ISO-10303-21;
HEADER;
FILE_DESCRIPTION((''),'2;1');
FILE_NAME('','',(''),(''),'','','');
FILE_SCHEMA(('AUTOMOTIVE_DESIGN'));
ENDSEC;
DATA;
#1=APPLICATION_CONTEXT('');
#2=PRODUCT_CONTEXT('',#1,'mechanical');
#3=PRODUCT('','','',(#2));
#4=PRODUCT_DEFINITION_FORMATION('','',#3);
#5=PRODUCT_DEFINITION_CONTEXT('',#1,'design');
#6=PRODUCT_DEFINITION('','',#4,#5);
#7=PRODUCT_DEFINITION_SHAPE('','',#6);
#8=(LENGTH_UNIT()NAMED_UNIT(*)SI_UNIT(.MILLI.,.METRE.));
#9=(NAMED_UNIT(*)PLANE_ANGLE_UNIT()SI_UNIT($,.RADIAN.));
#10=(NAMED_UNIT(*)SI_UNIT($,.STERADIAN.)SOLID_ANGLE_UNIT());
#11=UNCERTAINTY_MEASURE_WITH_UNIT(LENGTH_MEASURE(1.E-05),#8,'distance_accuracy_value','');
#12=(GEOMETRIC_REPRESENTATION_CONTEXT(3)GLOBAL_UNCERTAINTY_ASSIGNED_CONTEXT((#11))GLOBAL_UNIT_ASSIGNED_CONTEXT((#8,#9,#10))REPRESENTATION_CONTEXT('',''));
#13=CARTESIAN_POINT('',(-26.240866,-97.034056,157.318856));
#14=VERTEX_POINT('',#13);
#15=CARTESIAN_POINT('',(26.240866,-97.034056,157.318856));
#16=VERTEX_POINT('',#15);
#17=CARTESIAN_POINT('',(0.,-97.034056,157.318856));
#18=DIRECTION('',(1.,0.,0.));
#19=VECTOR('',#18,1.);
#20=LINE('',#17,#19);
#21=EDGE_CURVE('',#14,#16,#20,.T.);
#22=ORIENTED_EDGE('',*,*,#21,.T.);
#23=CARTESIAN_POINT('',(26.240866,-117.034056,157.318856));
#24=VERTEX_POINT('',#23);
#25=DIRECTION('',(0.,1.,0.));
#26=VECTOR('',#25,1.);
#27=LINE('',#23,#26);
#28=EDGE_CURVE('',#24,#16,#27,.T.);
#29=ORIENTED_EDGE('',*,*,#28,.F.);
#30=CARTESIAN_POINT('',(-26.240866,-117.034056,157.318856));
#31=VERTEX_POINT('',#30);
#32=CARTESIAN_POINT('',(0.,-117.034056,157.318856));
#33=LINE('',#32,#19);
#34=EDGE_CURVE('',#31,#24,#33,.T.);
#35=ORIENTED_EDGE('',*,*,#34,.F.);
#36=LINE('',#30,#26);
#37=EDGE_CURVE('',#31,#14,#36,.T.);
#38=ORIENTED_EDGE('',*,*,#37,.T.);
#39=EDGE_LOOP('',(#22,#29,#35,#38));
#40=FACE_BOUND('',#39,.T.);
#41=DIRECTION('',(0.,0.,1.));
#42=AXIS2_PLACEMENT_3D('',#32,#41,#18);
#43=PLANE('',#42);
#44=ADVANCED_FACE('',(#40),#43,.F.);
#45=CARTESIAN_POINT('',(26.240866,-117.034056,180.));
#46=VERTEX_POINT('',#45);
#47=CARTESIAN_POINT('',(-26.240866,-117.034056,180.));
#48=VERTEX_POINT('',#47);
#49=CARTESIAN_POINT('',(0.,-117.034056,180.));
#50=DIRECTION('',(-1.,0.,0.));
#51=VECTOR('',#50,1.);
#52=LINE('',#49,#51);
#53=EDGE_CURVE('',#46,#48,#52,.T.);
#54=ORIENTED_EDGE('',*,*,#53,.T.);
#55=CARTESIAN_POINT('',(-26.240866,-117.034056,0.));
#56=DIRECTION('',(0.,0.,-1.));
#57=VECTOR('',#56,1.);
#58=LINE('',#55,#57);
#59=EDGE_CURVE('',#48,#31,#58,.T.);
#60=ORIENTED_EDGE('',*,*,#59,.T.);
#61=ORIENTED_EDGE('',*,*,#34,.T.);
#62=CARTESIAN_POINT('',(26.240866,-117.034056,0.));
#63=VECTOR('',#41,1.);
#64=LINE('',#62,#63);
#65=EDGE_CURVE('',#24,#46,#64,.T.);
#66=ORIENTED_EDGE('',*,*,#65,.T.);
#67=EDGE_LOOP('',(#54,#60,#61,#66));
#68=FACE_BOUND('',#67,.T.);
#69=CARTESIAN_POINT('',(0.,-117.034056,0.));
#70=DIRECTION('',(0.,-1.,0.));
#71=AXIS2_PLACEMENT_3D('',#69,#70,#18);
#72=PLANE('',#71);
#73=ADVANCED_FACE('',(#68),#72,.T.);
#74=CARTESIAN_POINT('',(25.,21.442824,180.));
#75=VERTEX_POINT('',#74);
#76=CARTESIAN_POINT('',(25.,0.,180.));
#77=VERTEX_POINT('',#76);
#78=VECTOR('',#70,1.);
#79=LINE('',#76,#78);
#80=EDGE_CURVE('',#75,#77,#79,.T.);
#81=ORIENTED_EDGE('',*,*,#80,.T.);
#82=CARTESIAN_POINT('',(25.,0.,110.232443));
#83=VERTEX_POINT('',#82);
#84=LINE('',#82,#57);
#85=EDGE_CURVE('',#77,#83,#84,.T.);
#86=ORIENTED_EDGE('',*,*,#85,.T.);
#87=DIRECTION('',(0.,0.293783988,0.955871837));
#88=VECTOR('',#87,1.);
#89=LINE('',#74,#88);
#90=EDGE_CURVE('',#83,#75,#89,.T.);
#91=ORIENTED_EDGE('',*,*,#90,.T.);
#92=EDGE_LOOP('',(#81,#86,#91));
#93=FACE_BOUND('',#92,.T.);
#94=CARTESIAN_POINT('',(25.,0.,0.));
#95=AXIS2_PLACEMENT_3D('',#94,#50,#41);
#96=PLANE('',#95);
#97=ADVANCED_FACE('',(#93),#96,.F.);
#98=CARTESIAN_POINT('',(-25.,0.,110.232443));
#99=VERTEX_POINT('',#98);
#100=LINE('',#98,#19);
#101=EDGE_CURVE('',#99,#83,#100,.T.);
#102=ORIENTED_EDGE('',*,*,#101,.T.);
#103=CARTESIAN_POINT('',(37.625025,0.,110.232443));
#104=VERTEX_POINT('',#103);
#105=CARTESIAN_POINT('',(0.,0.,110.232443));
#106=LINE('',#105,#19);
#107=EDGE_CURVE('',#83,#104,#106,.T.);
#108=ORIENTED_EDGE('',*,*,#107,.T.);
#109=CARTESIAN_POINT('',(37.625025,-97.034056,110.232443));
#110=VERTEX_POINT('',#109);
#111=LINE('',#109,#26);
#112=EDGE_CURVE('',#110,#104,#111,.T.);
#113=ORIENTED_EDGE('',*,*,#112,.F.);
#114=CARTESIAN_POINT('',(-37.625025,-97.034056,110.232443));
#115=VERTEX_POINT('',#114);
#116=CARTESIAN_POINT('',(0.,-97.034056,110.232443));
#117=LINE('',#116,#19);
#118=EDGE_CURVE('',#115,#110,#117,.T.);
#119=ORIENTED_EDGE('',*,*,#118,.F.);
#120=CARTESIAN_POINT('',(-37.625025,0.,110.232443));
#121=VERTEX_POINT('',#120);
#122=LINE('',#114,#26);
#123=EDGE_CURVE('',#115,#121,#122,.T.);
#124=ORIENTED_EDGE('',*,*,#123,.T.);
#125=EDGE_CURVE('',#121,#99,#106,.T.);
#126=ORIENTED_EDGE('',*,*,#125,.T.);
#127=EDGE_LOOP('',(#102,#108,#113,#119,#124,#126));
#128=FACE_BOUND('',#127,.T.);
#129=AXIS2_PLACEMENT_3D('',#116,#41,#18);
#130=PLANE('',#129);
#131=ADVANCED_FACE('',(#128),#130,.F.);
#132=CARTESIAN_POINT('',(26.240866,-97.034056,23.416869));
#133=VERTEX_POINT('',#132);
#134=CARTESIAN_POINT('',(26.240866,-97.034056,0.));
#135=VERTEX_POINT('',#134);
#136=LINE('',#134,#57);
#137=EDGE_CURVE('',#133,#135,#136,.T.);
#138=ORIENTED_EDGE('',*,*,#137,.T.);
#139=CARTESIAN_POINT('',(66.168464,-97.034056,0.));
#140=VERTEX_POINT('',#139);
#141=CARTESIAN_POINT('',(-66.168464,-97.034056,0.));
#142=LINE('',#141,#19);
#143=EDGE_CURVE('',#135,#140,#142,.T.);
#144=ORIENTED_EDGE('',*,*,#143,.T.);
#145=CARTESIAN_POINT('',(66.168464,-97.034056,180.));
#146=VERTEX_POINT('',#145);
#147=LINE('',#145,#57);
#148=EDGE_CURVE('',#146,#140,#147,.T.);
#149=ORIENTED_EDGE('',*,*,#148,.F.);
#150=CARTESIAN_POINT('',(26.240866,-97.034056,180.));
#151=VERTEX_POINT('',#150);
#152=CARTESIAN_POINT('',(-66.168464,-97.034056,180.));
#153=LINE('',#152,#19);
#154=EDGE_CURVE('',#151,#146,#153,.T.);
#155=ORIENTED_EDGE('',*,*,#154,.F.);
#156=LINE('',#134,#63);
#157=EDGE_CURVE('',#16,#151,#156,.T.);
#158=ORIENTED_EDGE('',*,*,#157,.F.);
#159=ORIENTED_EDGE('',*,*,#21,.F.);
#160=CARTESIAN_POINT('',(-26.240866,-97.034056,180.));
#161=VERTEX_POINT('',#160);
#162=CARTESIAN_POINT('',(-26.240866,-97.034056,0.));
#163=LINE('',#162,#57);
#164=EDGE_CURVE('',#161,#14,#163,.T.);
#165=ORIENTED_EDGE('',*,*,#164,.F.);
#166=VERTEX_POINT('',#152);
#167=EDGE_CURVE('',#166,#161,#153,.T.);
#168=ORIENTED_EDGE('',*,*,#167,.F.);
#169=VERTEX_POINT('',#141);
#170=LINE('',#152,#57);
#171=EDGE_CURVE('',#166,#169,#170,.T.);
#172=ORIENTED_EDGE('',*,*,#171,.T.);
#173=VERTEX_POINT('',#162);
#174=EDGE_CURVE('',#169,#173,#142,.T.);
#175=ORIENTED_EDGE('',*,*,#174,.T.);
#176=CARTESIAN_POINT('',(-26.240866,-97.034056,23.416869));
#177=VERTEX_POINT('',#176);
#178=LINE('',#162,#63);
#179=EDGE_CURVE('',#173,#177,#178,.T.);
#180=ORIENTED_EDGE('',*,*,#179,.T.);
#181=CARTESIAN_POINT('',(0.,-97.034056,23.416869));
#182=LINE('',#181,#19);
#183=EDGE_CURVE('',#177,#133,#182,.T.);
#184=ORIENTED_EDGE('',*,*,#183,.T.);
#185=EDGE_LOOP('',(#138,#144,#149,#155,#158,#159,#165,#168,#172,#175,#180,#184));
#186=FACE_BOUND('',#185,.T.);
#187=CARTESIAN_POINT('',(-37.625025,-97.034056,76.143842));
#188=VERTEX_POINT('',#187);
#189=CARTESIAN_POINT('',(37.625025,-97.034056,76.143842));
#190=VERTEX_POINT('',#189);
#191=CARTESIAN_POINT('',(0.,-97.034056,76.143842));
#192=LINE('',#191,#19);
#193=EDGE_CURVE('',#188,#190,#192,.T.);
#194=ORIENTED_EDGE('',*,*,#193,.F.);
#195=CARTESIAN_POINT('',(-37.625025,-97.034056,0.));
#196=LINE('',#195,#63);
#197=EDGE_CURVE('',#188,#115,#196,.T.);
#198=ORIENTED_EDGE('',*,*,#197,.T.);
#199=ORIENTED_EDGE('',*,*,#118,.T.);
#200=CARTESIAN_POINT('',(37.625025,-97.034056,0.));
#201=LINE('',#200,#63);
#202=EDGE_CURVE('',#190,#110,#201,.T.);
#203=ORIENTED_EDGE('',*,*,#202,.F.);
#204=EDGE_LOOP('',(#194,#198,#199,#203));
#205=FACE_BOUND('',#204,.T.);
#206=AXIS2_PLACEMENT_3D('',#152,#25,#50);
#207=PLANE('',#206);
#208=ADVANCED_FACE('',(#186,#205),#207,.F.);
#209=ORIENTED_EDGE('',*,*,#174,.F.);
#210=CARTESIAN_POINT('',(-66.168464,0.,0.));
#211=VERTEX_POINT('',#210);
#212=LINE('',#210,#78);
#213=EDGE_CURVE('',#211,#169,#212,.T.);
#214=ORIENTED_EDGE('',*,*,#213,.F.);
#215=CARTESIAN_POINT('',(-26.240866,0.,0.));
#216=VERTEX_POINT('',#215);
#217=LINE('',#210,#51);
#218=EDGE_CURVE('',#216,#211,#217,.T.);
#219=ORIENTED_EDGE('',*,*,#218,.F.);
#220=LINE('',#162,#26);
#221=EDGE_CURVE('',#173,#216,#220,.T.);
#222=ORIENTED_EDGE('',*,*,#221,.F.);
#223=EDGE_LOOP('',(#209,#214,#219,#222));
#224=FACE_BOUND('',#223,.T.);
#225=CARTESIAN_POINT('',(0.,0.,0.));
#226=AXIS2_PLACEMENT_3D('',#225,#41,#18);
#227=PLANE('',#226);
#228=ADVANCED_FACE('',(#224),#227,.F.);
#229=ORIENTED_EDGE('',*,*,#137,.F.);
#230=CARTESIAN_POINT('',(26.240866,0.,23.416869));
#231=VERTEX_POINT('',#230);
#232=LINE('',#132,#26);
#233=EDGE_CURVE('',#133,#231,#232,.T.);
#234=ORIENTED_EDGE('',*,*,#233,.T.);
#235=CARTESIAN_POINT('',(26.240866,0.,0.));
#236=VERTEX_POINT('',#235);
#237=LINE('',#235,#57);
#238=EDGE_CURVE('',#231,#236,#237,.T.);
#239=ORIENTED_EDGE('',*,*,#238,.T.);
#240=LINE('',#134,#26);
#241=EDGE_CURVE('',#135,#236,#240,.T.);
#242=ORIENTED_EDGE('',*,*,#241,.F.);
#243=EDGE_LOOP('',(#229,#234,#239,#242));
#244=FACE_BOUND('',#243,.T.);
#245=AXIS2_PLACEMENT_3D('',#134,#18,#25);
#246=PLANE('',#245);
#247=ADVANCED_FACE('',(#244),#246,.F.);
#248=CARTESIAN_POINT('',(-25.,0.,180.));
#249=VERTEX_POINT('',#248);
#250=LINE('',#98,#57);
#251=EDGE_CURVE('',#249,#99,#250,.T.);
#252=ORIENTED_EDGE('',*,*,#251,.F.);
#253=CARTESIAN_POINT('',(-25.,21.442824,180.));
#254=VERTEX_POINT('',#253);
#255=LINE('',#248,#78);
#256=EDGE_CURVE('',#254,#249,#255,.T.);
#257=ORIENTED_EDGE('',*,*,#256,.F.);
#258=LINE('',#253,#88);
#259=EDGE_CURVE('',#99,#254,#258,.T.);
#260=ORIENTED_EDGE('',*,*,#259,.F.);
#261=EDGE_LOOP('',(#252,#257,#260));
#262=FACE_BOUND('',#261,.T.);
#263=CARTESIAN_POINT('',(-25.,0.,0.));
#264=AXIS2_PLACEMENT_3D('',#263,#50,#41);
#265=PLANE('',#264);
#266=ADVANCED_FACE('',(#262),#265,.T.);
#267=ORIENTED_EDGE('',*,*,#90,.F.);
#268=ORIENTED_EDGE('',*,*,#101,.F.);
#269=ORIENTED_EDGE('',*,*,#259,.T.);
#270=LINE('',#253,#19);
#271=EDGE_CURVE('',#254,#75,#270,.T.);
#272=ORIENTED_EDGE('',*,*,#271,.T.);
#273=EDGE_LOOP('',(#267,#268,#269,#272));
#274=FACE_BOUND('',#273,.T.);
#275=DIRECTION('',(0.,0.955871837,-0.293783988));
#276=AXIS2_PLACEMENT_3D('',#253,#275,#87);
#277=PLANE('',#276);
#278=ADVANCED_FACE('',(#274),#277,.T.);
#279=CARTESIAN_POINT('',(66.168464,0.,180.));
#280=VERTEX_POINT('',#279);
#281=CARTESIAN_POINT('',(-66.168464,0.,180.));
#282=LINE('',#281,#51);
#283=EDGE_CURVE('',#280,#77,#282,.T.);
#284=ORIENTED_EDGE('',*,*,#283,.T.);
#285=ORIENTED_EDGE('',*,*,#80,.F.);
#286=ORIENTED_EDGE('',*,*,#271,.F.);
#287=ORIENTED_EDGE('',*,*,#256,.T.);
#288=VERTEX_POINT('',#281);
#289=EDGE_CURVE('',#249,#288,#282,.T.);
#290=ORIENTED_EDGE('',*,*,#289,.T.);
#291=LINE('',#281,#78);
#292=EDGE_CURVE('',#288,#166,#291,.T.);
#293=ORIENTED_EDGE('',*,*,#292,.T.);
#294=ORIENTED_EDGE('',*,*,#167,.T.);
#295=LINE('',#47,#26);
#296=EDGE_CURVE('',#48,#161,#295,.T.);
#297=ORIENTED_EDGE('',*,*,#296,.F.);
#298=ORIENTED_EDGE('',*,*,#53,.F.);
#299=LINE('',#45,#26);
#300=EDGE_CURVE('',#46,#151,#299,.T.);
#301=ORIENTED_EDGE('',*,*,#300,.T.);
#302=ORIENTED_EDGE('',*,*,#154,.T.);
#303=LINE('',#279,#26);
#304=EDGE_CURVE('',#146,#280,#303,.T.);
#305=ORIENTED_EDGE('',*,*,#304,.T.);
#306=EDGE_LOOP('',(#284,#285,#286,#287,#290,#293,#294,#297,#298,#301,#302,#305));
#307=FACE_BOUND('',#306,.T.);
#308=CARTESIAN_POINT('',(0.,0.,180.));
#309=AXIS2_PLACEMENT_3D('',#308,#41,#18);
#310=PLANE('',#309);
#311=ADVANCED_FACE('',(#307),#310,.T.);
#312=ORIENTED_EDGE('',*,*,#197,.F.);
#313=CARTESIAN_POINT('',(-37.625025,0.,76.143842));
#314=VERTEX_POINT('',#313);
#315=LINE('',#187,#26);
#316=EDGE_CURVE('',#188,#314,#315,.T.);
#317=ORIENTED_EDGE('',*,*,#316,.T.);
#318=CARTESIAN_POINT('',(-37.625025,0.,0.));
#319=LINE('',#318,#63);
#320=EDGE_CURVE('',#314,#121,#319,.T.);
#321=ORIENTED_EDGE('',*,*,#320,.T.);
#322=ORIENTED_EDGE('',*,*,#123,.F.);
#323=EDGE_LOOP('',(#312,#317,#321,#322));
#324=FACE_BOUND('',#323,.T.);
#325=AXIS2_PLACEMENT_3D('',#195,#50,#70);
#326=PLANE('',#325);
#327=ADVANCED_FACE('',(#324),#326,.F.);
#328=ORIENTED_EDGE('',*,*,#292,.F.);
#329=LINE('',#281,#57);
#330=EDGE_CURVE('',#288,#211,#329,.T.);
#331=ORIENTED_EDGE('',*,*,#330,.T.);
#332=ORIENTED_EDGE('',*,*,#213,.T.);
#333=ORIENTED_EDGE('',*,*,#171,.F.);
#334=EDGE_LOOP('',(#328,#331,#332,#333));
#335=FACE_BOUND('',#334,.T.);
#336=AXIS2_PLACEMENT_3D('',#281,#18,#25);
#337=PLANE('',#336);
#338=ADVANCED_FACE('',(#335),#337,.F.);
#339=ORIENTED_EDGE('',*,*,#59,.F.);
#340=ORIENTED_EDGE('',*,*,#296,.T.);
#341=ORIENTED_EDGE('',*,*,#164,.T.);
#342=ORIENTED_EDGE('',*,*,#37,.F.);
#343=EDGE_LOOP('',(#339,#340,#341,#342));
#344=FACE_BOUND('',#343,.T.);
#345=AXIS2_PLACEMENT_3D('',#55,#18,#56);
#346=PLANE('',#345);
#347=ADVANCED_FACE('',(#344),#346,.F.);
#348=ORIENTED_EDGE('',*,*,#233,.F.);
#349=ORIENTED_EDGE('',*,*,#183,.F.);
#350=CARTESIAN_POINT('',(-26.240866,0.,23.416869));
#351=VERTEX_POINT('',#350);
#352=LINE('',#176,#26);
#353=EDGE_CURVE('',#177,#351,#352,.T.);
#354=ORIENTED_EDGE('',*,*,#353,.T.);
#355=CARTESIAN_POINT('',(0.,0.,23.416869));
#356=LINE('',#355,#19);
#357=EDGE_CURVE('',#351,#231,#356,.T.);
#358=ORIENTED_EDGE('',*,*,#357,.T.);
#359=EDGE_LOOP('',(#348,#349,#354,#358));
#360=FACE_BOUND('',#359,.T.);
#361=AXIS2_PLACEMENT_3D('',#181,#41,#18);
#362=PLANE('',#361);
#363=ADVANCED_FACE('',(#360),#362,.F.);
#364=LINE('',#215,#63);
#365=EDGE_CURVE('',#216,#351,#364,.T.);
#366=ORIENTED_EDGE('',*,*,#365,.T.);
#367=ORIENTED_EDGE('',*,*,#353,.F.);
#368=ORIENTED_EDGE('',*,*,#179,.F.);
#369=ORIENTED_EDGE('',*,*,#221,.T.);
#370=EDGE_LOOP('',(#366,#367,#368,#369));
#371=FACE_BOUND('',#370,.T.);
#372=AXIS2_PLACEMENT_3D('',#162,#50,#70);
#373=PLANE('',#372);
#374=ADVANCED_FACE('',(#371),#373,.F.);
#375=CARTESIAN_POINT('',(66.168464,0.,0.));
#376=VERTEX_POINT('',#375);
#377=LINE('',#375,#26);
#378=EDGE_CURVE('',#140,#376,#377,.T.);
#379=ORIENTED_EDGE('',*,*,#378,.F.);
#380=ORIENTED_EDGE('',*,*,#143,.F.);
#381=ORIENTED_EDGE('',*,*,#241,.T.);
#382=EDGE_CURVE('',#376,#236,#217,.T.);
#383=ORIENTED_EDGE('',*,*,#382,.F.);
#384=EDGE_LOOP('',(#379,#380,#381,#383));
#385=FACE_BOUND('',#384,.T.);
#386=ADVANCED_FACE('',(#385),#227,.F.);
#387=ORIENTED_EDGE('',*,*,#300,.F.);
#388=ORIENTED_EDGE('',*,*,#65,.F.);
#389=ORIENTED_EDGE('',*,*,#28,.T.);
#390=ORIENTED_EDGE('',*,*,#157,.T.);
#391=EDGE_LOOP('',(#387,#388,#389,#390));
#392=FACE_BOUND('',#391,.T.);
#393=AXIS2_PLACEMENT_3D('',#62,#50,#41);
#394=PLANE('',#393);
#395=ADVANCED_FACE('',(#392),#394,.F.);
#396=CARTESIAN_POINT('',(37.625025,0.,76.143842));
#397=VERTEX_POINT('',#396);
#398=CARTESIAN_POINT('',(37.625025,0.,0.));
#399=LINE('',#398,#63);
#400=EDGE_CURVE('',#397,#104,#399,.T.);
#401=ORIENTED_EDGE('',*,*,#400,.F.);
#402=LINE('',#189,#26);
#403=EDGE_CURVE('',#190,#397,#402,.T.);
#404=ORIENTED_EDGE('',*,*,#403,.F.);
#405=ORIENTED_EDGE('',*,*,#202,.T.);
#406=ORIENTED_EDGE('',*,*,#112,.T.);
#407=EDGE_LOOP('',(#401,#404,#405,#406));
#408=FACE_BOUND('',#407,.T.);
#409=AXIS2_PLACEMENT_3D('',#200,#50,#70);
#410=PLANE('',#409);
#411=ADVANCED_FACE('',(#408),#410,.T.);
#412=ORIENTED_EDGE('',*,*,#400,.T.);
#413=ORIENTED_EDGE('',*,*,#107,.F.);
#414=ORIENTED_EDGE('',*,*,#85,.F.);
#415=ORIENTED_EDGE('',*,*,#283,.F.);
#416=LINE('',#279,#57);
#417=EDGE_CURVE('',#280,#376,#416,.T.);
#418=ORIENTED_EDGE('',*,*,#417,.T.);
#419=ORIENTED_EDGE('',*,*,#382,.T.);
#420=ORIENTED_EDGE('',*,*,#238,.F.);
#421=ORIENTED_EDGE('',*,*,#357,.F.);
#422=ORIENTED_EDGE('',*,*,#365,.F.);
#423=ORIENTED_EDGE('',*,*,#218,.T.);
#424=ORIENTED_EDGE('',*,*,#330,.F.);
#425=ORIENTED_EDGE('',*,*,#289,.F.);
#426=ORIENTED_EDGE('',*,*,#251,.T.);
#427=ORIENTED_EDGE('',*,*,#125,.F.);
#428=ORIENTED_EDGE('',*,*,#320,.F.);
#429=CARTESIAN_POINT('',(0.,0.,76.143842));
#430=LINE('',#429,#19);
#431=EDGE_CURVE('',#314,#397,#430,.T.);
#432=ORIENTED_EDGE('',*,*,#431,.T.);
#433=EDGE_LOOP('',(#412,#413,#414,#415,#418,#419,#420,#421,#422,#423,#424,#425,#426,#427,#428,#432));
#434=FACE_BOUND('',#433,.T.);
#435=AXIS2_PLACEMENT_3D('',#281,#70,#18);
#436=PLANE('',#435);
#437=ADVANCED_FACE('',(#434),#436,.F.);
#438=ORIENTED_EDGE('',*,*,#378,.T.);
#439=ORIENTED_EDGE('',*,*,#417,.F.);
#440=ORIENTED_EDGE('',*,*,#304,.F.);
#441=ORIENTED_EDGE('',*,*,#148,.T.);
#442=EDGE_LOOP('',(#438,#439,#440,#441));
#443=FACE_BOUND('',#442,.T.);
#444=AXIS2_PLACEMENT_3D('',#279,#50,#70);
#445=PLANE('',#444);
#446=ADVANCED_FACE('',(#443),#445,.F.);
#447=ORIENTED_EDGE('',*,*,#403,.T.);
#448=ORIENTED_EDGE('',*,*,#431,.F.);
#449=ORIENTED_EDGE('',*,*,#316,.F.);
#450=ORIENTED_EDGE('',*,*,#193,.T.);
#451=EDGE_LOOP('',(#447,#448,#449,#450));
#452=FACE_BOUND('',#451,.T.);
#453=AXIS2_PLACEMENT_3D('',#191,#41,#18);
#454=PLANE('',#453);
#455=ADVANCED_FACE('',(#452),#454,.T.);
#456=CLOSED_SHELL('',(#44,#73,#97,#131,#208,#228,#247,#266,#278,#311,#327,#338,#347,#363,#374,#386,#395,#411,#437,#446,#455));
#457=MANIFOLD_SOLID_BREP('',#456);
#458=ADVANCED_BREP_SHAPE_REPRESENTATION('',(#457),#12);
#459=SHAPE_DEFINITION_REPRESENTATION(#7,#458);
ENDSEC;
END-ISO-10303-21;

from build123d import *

# Parameters (mm, degrees)
SKETCH_1_W           = 132.33692867
SKETCH_1_H           = 97.034055892
EXTRUDE_1_DEPTH      = 180
SKETCH_2_W           = 37.625025254
SKETCH_2_H           = 34.08860124
SKETCH_2_W_2         = 26.240865703
SKETCH_2_H_2         = 23.4168688
CUT_EXTRUDE_2_DEPTH  = 215.927601009
SKETCH_6_W           = 26.240865703
SKETCH_6_H           = 22.681143593
EXTRUDE_2_DEPTH      = 20
EXTRUDE_3_DEPTH      = 25
EXTRUDE_3_DEPTH_BACK = 25


with BuildPart() as part:
    # Эскиз1 → Бобышка-Вытянуть1 (new body)
    with BuildSketch(Plane.XY):
        with Locations((0, -48.517027946)):
            Rectangle(SKETCH_1_W, SKETCH_1_H)
    extrude(amount=EXTRUDE_1_DEPTH)

    # Эскиз2 → Вырез-Вытянуть2 (cut, through all)
    with BuildSketch(Plane(origin=(0, 0, 0), x_dir=(1, 0, 0), z_dir=(0, 1, 0))):
        with Locations((-18.812512627, -93.188142562)):
            Rectangle(SKETCH_2_W, SKETCH_2_H)
        with Locations((18.812512627, -93.188142562)):
            Rectangle(SKETCH_2_W, SKETCH_2_H)
        with Locations((13.120432852, -11.7084344)):
            Rectangle(SKETCH_2_W_2, SKETCH_2_H_2)
        with Locations((-13.120432852, -11.7084344)):
            Rectangle(SKETCH_2_W_2, SKETCH_2_H_2)
    extrude(amount=-CUT_EXTRUDE_2_DEPTH, mode=Mode.SUBTRACT)

    # Эскиз6 → Бобышка-Вытянуть2 (add)
    with BuildSketch(Plane(origin=(0, -97.034055892, 0), x_dir=(-1, 0, 0), z_dir=(0, -1, 0))):
        with Locations((13.120432852, -168.659428203)):
            Rectangle(SKETCH_6_W, SKETCH_6_H)
        with Locations((-13.120432852, -168.659428203)):
            Rectangle(SKETCH_6_W, SKETCH_6_H)
    extrude(amount=EXTRUDE_2_DEPTH)

    # Эскиз8 → Бобышка-Вытянуть3 (add, two sides: drawn at the far end of the back side and taken through both)
    with BuildSketch(Plane(origin=(0, 0, 0), x_dir=(0, 0, -1), z_dir=(1, 0, 0)).offset(-EXTRUDE_3_DEPTH_BACK)):
        Polygon((-180, 0), (-180, 21.442823519), (-110.232443182, 0), align=None)
    extrude(amount=EXTRUDE_3_DEPTH + EXTRUDE_3_DEPTH_BACK)


solid = part.part
